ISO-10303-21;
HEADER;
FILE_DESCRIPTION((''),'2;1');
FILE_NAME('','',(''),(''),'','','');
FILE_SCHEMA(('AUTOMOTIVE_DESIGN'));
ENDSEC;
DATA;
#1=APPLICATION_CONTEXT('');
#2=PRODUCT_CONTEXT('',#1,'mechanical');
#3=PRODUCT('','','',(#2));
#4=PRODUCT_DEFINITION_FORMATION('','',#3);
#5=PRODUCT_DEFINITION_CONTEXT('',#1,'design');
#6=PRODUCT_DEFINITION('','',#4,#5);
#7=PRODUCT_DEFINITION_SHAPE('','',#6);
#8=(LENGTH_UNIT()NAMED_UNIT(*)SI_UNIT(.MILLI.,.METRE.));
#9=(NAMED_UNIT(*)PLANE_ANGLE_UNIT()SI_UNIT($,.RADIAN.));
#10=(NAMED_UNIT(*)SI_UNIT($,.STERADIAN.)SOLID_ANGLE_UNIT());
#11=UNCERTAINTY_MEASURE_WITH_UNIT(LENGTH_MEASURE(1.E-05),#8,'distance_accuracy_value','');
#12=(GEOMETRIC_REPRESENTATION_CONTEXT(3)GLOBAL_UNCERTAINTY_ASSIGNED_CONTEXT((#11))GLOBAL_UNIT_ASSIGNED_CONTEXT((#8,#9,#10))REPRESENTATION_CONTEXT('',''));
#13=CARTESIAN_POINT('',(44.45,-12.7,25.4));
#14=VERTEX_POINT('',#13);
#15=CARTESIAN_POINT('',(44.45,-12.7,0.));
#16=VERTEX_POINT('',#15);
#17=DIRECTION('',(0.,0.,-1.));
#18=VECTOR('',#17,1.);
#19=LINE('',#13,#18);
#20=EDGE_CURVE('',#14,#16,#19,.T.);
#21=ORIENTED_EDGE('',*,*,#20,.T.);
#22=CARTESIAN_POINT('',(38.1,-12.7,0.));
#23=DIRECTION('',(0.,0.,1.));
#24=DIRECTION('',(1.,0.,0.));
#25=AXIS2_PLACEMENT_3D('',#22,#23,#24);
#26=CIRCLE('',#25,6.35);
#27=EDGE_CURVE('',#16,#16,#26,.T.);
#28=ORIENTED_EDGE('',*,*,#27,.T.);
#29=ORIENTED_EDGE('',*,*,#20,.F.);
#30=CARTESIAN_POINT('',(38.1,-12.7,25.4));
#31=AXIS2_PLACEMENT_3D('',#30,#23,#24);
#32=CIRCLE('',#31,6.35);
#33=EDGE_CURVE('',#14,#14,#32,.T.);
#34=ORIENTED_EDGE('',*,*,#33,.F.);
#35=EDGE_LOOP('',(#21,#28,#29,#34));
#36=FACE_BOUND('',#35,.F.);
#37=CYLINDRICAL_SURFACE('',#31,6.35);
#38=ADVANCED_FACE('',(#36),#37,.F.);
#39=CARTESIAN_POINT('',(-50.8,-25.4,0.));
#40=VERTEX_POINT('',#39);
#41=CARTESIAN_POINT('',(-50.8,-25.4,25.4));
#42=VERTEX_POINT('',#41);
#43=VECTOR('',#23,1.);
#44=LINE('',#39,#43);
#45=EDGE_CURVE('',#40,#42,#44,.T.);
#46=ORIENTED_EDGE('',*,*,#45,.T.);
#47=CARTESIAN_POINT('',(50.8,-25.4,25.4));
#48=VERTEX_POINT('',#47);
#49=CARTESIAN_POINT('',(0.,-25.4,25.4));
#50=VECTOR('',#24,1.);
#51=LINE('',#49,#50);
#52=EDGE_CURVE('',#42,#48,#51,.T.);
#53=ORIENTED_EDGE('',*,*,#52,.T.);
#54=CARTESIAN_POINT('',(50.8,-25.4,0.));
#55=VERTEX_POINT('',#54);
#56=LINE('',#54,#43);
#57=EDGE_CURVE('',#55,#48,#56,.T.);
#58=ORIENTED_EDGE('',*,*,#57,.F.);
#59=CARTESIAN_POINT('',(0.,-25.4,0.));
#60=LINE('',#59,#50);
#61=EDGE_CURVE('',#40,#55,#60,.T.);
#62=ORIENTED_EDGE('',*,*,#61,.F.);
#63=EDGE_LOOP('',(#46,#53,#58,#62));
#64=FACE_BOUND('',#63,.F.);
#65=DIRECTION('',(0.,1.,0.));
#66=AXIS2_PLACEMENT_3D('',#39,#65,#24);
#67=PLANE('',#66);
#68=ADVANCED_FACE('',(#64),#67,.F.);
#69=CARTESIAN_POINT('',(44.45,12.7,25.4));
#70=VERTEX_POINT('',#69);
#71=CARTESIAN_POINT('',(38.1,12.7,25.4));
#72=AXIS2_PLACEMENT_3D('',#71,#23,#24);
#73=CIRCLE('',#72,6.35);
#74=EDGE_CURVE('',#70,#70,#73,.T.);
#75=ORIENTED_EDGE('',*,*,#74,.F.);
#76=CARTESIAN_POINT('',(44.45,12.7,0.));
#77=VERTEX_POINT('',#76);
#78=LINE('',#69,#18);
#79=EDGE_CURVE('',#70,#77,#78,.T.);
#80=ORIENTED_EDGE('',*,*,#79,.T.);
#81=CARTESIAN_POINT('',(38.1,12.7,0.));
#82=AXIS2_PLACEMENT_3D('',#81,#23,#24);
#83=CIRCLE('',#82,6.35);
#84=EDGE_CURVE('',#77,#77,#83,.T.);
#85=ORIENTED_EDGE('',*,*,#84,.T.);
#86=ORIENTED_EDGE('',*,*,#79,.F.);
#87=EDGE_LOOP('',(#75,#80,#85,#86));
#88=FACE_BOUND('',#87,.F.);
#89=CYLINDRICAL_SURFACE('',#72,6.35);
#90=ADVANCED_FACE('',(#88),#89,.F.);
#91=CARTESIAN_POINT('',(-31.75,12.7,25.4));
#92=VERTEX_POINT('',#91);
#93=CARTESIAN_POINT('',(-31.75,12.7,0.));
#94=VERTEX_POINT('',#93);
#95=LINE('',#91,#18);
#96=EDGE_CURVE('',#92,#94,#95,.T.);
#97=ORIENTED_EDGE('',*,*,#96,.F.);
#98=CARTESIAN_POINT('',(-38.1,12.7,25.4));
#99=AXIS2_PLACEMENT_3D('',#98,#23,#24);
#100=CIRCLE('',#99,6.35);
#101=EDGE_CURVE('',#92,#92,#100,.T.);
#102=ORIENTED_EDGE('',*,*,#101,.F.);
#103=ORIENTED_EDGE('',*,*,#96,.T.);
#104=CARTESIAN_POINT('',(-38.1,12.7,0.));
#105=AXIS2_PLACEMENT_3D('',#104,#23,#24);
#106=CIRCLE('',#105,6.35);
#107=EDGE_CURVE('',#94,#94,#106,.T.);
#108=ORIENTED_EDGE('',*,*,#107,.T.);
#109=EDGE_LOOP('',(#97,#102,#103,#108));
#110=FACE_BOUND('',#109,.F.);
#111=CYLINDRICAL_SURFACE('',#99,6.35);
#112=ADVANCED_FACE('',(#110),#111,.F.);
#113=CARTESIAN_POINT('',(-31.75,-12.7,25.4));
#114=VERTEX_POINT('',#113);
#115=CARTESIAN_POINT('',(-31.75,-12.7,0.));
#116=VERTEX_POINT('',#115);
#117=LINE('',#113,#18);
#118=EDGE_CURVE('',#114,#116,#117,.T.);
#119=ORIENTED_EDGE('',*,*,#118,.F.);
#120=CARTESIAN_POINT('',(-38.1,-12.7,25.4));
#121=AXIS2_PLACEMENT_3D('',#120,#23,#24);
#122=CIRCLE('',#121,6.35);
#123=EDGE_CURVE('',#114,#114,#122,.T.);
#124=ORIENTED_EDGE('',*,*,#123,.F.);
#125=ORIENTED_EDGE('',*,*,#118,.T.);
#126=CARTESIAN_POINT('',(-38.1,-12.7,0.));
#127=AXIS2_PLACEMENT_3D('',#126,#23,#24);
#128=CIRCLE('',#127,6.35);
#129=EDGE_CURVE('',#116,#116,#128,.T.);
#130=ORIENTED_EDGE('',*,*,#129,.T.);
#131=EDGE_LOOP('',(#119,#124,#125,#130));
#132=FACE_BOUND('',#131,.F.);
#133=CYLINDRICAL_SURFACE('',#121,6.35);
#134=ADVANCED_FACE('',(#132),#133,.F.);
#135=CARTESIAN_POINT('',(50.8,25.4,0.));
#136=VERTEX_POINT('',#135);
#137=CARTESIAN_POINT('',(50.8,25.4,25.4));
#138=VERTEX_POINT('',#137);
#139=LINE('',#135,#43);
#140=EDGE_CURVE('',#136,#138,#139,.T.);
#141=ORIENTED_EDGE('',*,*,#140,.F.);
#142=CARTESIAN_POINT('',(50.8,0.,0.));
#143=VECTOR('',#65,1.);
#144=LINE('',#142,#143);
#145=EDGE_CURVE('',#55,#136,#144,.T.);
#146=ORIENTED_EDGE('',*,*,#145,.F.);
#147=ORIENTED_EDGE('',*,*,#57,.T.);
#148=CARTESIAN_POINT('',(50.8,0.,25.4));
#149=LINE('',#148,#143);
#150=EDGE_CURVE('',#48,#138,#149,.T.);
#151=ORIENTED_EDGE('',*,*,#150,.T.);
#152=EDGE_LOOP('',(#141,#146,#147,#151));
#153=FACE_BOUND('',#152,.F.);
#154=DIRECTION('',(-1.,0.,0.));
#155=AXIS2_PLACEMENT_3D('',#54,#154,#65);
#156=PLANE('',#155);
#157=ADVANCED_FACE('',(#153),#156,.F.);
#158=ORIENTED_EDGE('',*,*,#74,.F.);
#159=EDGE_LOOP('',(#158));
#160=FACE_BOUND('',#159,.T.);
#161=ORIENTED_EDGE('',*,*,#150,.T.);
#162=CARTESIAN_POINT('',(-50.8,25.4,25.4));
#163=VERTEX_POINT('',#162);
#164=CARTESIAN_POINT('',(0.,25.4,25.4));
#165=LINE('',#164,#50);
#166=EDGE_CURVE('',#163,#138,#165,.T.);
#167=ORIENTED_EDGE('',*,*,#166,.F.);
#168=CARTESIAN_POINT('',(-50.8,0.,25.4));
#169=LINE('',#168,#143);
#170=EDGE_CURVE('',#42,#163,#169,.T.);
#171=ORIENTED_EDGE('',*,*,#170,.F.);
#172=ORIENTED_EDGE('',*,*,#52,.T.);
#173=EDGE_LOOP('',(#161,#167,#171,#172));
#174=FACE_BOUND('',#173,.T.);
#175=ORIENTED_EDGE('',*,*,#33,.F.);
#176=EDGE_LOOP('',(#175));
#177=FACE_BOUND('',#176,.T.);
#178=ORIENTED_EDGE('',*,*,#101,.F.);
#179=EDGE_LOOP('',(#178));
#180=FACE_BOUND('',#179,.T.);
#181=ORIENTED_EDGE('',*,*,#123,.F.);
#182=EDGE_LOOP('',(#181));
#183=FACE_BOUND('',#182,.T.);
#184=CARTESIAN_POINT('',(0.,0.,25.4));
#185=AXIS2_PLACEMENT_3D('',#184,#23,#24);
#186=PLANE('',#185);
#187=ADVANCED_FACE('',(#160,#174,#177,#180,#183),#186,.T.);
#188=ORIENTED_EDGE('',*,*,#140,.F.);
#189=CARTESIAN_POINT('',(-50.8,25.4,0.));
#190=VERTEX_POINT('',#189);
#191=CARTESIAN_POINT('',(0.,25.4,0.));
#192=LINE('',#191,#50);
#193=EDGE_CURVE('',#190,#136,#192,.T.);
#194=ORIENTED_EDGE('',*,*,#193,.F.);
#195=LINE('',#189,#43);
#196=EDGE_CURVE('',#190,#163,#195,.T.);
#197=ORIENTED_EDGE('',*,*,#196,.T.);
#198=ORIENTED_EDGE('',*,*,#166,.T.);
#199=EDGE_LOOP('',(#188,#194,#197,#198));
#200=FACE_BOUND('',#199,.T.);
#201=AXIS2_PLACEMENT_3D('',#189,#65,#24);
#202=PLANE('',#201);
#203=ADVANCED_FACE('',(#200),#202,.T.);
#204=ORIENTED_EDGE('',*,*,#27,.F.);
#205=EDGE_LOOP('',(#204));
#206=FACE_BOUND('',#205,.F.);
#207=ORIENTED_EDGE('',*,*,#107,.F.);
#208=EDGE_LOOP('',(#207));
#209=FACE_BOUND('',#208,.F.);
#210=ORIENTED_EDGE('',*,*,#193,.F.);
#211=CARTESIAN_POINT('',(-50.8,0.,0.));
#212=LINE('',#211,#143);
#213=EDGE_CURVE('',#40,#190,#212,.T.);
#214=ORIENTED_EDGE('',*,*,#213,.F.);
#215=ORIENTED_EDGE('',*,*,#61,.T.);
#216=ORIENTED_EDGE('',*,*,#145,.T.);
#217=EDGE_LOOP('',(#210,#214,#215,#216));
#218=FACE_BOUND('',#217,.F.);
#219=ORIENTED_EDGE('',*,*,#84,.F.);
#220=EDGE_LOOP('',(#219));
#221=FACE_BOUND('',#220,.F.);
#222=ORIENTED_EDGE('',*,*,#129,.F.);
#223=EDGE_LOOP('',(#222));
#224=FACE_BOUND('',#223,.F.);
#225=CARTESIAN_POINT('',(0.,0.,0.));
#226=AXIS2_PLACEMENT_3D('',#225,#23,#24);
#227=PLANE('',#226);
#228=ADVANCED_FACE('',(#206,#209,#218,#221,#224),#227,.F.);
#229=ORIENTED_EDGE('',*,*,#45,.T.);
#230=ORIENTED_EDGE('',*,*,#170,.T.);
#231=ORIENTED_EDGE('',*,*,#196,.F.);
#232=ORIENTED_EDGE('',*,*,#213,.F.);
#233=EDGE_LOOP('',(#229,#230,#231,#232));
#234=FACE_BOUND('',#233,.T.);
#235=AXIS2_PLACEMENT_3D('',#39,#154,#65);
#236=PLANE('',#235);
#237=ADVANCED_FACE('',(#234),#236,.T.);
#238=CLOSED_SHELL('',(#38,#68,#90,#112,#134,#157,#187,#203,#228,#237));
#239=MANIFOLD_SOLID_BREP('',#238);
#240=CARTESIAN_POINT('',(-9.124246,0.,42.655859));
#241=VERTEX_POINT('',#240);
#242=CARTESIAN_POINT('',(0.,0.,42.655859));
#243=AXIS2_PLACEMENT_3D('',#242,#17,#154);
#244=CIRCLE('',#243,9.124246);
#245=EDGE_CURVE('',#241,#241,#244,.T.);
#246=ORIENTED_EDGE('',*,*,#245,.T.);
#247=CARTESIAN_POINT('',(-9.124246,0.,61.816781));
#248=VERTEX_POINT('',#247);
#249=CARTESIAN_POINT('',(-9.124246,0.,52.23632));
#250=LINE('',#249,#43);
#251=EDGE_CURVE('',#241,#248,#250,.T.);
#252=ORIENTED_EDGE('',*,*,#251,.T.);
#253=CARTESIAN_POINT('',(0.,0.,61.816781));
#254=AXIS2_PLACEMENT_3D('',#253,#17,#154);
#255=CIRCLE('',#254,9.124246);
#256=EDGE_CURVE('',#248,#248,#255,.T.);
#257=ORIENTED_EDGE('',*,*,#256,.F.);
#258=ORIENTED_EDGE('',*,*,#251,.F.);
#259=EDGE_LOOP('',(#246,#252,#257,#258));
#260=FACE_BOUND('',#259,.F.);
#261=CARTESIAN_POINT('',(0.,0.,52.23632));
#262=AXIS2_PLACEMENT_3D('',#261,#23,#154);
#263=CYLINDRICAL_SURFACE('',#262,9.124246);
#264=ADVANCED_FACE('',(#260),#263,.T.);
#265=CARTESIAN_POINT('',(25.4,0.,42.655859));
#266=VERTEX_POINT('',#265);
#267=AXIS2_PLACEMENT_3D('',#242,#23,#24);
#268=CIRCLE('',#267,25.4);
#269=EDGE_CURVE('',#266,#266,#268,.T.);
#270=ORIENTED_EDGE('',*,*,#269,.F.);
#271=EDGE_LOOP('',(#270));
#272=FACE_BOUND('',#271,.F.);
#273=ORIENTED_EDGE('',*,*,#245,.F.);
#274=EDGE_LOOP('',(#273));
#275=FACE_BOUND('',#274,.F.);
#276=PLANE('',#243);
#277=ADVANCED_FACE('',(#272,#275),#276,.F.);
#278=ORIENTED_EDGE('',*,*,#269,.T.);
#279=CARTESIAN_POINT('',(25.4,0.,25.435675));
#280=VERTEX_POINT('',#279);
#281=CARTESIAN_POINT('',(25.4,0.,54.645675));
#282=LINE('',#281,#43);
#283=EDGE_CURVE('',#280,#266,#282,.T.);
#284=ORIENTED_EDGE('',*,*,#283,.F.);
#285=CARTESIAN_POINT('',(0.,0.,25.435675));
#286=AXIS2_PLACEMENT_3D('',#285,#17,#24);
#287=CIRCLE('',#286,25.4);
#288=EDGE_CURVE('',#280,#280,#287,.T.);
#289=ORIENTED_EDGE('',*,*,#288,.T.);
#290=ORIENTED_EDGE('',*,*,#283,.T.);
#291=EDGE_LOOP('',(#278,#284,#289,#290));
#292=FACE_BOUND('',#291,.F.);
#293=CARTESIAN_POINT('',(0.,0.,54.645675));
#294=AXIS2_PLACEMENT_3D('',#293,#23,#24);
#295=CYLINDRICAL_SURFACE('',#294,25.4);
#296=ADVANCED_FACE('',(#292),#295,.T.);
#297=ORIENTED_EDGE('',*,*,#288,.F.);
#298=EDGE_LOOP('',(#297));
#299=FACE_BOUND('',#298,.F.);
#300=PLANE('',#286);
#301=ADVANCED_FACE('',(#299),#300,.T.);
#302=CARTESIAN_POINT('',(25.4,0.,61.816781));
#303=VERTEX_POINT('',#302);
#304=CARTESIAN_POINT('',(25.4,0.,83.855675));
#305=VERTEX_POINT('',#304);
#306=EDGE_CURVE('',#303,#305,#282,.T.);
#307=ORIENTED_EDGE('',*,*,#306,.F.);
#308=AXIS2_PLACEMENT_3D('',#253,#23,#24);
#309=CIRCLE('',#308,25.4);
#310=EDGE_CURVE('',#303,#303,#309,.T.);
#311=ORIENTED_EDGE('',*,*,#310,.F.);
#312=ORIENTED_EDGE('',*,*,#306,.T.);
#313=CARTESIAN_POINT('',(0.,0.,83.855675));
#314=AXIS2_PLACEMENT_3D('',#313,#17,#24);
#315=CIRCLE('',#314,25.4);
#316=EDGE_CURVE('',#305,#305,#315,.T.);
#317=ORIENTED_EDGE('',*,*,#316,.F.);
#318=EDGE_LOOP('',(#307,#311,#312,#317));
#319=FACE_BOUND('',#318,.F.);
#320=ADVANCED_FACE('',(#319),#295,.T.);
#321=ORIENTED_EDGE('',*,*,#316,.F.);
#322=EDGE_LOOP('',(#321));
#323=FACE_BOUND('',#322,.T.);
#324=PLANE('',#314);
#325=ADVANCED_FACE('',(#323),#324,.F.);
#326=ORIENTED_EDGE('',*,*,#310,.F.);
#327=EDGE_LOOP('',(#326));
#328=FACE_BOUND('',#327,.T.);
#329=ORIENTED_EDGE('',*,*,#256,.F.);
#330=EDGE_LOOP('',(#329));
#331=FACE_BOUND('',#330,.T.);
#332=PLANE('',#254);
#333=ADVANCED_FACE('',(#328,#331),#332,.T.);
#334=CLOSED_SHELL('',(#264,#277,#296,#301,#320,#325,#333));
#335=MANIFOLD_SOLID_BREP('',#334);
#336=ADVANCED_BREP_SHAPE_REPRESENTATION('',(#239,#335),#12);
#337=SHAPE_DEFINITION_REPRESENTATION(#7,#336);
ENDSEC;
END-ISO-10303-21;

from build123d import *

# Parameters (mm, degrees)
F0_W     = 101.6
F0_H     = 50.8
F1_DEPTH = 25.4
F2_R     = 6.35
F3_DEPTH = 25.401
F4_W     = 25.4
F4_H     = 58.42
F6_W     = 54.745491
F6_H     = 19.160923


with BuildPart() as f1:
    # F0 (on Top) → F1 (new body)
    with BuildSketch(Plane.XY):
        Rectangle(F0_W, F0_H)
    extrude(amount=F1_DEPTH)

    # F2 (on face) → F3 (cut, through all)
    with BuildSketch(Plane.XY.offset(25.4)):
        with Locations((-38.1, 12.7)):
            Circle(F2_R)
        with Locations((-38.1, -12.7)):
            Circle(F2_R)
        with Locations((38.1, -12.7)):
            Circle(F2_R)
        with Locations((38.1, 12.7)):
            Circle(F2_R)
    extrude(amount=-F3_DEPTH, mode=Mode.SUBTRACT)


with BuildPart() as f5:
    # F4 (on Front) → F5 (revolve)
    with BuildSketch(Plane.XZ):
        with Locations((12.7, 54.645675)):
            Rectangle(F4_W, F4_H)
    revolve(axis=Axis((0, 0, 54.645675), (0, 0, -1)))

    # F6 (on Front) → F7 (revolve, cut)
    with BuildSketch(Plane.XZ):
        with Locations((-36.496992, 52.23632)):
            Rectangle(F6_W, F6_H)
    revolve(axis=Axis((0, 0, 54.645675), (0, 0, -1)), mode=Mode.SUBTRACT)


solid = Compound([f1.part, f5.part])
